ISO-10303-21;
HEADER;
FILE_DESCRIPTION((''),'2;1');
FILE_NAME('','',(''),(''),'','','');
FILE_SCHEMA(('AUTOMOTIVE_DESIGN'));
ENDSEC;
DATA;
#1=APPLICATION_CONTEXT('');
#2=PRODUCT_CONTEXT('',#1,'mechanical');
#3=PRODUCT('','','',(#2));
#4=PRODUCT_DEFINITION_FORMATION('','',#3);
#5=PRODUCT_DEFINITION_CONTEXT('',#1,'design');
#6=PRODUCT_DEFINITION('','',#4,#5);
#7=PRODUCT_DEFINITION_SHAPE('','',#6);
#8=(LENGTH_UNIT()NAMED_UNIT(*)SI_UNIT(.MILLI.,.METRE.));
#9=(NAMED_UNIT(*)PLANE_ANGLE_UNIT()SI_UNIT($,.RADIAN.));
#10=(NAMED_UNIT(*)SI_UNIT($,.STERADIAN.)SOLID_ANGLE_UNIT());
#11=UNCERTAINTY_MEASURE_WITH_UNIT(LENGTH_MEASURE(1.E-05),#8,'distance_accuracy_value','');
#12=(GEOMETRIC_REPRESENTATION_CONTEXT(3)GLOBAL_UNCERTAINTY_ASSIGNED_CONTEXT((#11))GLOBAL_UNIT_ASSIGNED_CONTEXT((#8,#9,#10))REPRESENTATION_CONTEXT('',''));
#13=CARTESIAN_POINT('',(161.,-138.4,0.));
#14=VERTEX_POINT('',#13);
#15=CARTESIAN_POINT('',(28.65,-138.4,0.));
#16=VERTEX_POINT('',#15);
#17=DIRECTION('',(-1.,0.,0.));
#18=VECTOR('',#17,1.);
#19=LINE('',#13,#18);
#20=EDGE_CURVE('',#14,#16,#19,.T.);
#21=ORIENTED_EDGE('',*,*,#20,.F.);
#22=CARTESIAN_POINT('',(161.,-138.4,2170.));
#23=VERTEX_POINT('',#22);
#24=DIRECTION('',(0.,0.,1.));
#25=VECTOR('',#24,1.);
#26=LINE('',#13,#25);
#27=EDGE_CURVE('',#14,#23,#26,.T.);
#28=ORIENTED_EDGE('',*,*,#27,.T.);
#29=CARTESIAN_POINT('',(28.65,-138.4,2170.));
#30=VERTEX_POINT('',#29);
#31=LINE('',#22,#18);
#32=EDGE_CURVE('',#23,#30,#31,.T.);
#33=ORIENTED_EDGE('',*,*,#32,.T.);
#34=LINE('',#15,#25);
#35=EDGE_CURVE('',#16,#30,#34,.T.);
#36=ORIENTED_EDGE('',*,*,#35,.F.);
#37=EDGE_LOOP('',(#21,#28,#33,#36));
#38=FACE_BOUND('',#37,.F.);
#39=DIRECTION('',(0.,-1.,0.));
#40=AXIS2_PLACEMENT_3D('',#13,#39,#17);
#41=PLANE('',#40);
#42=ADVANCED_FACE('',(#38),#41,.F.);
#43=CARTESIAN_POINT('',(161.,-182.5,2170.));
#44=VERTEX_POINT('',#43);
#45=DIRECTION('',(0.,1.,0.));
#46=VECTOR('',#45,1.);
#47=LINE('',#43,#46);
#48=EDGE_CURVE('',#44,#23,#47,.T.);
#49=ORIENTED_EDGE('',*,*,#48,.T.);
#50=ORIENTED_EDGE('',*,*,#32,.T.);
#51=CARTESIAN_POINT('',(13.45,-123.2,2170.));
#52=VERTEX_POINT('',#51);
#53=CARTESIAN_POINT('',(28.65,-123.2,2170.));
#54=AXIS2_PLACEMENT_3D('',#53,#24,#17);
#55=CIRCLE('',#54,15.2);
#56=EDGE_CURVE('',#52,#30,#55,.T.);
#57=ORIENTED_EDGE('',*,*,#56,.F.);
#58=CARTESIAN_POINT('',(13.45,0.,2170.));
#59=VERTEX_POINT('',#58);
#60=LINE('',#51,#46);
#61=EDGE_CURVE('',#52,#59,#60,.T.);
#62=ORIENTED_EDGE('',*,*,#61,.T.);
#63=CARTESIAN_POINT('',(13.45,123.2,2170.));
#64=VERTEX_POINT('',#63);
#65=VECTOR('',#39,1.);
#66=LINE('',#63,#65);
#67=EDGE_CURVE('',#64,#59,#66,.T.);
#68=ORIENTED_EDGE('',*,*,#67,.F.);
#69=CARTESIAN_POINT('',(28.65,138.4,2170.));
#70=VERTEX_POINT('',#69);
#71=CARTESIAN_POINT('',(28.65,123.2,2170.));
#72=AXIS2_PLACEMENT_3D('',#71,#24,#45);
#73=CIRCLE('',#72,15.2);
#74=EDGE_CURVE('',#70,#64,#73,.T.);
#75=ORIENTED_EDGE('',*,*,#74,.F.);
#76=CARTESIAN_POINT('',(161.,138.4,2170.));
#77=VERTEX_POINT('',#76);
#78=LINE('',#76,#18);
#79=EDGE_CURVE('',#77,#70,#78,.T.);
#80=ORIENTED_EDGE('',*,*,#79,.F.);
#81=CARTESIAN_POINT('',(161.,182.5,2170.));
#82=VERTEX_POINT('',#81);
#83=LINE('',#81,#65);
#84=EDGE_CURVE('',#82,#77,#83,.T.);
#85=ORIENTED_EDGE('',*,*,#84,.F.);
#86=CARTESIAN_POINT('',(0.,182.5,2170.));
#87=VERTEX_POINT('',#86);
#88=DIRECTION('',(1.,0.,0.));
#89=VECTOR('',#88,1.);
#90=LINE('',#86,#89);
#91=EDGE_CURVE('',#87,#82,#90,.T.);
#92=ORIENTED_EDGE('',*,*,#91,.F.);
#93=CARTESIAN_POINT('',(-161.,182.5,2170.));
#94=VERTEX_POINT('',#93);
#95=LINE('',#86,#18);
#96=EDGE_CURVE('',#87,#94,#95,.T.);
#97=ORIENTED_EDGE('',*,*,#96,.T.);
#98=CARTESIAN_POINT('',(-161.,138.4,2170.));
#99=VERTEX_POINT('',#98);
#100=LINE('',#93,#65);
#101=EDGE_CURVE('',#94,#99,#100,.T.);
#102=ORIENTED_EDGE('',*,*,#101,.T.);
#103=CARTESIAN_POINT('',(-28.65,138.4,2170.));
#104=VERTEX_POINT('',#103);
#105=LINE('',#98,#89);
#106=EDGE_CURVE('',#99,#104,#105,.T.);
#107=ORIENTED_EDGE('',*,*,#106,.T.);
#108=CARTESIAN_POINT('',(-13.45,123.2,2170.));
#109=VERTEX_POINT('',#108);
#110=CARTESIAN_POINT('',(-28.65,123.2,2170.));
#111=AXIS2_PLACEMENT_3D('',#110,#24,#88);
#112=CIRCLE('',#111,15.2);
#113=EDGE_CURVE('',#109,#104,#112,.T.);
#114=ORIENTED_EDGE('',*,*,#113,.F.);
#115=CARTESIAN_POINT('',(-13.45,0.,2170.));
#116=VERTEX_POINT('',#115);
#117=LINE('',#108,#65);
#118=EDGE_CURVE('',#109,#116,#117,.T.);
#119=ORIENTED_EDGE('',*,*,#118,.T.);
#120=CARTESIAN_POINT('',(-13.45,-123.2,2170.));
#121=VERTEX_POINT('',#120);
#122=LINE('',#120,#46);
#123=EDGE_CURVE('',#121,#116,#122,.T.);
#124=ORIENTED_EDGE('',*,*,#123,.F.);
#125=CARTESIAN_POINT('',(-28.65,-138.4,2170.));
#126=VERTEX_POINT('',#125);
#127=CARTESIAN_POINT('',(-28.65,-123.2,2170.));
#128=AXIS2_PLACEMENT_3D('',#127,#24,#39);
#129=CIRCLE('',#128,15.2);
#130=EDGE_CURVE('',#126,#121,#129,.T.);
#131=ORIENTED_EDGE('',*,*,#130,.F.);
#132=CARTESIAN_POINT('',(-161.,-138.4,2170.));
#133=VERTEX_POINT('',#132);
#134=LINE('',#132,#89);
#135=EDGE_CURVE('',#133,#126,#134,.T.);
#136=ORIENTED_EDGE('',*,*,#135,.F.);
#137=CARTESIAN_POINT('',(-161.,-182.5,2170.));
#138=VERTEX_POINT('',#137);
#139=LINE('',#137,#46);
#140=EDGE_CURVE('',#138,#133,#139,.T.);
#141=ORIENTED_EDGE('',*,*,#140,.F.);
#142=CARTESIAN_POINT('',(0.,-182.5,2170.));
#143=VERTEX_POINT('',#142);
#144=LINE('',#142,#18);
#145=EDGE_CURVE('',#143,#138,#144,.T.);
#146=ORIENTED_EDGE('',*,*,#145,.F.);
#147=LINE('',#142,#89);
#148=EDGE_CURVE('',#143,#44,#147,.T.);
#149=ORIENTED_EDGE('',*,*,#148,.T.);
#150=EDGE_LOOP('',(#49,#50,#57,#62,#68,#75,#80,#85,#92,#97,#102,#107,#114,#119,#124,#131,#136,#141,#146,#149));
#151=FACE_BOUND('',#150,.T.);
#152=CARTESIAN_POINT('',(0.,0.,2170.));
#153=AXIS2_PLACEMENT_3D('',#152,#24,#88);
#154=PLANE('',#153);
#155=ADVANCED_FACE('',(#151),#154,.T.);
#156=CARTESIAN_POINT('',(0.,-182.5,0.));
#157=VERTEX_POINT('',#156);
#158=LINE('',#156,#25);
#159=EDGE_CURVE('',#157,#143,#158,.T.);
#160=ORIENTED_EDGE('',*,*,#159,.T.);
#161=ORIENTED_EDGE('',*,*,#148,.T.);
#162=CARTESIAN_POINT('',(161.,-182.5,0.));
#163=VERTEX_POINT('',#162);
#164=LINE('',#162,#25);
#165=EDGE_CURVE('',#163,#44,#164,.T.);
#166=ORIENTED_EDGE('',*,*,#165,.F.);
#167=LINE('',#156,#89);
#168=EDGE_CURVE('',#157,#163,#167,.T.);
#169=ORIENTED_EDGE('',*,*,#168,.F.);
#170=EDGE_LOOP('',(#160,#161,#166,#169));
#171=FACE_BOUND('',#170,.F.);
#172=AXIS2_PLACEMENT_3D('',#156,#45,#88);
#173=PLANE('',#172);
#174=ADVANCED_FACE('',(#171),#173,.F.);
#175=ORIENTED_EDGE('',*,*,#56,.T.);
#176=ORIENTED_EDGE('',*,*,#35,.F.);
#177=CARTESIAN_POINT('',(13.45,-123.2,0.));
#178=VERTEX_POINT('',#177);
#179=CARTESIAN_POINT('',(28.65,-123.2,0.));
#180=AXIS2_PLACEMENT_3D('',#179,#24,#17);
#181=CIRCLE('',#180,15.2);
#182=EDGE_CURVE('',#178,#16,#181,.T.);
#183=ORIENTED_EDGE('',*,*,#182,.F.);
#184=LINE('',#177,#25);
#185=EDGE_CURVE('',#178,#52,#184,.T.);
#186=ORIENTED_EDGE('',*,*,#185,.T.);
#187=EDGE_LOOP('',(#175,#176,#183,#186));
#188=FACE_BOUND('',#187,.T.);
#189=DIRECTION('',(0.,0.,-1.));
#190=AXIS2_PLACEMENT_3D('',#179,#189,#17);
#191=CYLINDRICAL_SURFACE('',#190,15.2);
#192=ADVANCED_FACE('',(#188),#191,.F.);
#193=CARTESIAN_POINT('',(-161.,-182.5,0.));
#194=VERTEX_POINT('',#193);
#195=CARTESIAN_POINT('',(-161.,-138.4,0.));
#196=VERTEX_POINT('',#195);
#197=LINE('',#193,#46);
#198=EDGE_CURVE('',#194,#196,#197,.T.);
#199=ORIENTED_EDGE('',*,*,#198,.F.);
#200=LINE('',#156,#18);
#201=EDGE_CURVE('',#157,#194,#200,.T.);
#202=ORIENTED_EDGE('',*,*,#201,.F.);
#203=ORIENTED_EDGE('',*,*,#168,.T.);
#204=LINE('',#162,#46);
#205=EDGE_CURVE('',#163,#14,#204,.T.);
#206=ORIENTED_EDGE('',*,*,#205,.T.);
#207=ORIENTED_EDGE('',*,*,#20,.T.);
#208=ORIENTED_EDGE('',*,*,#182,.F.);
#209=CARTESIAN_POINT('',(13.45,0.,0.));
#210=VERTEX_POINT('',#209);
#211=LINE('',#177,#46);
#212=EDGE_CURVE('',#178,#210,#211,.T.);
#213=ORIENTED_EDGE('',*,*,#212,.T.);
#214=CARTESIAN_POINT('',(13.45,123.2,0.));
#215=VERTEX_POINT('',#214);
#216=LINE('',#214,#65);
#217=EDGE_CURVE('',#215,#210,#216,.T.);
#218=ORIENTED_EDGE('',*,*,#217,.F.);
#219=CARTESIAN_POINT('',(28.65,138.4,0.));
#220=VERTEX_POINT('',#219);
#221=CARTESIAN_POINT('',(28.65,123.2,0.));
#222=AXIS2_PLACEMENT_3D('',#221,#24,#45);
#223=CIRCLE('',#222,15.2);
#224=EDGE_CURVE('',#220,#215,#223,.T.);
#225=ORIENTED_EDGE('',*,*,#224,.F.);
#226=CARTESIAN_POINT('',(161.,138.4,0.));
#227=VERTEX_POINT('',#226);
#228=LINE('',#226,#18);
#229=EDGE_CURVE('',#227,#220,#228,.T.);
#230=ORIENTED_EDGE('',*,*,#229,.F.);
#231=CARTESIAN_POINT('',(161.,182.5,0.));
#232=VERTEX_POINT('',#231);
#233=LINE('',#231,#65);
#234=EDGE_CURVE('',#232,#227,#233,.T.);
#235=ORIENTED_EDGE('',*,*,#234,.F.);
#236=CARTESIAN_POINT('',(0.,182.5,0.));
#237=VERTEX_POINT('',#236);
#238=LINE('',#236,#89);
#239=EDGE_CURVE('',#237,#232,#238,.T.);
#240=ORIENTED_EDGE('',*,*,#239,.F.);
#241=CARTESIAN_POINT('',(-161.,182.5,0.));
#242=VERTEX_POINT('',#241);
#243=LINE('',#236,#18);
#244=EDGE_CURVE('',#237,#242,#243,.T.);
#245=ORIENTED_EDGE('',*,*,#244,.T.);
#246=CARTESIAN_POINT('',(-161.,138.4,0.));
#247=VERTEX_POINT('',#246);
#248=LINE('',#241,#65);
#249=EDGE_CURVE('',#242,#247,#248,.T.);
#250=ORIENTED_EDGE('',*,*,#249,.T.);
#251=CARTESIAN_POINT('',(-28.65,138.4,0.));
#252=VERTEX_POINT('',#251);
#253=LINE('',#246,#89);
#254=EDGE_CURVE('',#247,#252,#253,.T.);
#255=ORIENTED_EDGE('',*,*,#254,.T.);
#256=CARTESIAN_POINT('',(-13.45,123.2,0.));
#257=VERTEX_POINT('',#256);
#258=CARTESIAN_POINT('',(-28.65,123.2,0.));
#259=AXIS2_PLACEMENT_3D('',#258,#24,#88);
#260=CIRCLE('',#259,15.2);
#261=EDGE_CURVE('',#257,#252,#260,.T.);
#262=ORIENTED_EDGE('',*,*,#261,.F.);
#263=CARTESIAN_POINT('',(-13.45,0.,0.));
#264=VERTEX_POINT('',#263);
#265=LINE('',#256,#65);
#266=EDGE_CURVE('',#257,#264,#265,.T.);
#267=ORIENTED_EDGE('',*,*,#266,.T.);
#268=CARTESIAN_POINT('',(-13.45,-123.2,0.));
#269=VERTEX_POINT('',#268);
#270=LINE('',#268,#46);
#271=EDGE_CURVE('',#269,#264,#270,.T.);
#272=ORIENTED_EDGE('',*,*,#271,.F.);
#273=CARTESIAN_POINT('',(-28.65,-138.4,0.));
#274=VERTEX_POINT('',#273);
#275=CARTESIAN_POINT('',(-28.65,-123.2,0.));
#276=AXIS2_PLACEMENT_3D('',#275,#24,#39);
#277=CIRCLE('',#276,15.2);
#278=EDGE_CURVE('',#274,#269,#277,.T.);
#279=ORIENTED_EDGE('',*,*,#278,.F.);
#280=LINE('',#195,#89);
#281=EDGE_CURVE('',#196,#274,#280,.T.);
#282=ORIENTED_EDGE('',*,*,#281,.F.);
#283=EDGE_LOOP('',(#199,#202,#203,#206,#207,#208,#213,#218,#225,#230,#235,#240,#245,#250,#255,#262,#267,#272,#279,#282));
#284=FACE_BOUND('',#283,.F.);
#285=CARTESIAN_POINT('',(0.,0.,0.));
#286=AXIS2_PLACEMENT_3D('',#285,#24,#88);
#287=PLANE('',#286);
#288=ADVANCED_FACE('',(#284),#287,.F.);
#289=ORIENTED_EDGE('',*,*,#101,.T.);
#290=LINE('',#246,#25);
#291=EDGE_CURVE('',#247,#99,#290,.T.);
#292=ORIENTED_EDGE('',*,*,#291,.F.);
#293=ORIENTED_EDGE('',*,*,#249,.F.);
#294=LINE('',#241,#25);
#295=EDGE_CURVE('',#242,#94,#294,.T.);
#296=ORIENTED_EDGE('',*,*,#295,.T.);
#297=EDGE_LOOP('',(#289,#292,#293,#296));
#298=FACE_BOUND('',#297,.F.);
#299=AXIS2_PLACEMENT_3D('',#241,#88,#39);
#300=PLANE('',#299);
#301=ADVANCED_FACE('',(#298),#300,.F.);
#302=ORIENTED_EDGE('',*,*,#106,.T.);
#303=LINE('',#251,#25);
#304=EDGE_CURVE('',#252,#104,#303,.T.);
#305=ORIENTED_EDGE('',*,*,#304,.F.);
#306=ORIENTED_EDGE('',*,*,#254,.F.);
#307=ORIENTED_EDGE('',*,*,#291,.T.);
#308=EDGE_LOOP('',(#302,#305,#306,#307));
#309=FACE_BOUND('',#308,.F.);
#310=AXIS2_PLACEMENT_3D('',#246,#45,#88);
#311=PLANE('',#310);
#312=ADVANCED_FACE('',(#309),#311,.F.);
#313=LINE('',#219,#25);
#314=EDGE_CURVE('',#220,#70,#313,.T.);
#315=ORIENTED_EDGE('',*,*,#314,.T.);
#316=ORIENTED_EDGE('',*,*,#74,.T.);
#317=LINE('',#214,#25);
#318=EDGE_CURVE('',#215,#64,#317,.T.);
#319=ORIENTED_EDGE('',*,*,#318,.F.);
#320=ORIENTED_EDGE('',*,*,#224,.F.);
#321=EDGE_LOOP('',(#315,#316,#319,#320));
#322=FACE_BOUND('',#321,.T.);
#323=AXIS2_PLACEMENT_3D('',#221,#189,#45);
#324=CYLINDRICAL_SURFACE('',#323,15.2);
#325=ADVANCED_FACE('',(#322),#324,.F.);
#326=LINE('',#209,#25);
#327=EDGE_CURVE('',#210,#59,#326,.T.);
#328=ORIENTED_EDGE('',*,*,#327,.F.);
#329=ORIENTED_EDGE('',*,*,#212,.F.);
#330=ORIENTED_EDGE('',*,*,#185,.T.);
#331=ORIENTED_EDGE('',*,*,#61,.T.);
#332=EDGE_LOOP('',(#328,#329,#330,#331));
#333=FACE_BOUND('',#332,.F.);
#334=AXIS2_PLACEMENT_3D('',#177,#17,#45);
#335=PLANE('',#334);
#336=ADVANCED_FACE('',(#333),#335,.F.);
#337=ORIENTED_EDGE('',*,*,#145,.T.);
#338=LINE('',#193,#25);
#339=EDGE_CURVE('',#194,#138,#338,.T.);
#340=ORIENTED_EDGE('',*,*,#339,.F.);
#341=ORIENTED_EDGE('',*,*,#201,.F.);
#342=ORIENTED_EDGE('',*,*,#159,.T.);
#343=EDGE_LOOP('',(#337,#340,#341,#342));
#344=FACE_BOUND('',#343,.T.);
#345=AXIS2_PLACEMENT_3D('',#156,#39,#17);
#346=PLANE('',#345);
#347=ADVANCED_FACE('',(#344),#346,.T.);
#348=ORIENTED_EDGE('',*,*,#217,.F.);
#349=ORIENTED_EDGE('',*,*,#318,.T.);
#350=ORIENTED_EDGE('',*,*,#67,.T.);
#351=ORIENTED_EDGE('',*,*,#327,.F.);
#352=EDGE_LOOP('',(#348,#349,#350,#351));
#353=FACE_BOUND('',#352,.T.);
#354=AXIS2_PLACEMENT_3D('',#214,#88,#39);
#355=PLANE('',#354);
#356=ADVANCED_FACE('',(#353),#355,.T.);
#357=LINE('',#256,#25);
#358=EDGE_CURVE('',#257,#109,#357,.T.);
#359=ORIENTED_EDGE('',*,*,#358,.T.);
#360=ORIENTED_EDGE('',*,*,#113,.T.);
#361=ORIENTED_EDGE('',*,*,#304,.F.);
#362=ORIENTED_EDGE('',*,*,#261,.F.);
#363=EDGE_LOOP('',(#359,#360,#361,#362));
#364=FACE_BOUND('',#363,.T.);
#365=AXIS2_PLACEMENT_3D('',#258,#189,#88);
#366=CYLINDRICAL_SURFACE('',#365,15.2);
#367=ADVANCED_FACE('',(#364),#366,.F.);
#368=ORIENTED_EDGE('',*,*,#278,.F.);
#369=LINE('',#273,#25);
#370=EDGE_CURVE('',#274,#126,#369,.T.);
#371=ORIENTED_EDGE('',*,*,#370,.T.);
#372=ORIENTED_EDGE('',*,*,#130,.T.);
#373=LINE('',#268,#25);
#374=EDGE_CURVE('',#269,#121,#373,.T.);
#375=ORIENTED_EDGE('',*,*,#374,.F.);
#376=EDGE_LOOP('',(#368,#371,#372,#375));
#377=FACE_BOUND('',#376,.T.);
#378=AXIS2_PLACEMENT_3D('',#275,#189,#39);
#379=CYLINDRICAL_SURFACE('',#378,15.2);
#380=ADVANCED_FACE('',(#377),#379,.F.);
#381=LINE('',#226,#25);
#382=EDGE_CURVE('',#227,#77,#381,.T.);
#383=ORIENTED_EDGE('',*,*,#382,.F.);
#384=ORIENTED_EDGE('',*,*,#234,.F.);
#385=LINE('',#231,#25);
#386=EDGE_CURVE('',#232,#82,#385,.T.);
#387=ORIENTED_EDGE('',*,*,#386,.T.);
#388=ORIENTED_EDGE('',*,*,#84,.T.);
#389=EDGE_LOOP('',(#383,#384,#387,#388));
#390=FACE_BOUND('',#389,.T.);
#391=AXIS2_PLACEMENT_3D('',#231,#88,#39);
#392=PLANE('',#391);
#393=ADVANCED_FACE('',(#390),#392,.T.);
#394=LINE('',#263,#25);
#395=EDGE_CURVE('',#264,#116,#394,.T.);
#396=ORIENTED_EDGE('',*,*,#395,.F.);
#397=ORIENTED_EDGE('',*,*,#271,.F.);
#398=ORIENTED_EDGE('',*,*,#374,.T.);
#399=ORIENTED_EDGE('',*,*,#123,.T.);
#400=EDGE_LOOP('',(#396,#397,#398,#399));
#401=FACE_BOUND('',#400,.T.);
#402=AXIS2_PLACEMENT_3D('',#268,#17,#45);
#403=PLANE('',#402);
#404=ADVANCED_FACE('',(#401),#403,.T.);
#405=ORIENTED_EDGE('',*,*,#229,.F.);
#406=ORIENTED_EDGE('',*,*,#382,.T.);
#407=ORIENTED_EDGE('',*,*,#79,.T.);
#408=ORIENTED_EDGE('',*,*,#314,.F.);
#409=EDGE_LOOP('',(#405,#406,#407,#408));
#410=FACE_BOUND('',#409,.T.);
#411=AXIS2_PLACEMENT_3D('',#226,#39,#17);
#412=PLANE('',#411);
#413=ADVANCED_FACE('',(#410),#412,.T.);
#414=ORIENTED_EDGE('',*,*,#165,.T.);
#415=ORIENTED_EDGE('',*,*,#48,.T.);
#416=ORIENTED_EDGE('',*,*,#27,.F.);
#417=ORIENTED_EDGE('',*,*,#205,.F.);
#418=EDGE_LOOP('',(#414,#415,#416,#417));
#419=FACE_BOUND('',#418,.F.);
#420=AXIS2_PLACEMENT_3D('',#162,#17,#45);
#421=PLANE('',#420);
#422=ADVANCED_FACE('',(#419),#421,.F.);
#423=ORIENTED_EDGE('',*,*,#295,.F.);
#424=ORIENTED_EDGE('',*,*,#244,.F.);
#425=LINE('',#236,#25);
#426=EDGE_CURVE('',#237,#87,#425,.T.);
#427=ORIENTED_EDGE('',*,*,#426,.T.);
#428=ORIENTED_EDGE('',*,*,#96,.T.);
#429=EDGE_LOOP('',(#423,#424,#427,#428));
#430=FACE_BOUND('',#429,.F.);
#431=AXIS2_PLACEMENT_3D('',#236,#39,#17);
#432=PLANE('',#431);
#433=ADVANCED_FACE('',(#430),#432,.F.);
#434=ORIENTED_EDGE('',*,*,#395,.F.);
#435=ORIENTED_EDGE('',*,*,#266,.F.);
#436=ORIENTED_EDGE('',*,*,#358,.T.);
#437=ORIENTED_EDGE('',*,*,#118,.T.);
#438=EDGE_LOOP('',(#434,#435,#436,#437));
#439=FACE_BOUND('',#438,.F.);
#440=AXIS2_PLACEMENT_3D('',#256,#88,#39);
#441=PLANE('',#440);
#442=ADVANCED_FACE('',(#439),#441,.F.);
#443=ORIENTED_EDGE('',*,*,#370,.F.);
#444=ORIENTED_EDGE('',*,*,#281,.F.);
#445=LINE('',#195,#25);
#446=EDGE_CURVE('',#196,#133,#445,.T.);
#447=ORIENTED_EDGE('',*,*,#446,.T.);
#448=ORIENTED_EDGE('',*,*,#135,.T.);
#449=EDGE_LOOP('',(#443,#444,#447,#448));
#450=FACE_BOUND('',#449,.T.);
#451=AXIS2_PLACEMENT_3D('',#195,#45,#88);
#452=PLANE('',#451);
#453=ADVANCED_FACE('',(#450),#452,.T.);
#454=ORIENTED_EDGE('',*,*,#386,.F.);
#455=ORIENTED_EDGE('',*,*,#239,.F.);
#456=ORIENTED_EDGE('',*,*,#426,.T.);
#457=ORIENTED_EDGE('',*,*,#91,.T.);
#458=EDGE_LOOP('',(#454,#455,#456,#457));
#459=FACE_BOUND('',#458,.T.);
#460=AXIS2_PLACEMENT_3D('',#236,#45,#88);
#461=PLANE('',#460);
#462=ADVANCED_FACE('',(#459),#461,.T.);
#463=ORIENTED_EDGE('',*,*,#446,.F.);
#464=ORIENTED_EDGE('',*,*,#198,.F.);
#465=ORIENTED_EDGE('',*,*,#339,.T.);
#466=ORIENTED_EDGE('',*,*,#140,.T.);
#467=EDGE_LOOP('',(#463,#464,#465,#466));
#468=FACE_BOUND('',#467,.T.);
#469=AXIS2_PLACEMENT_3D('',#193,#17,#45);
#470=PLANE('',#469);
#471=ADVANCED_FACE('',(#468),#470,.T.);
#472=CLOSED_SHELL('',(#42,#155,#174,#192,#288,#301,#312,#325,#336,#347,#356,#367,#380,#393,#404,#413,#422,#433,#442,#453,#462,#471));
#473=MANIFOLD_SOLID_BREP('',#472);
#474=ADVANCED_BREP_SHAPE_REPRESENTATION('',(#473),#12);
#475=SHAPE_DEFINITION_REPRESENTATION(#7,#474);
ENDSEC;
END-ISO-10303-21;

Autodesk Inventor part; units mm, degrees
ref_plane "YZ Plane" through (0, 0, 0) normal (1, 0, 0) x (0, 1, 0)
ref_plane "Start plane" through (0, 0, 0) normal (0, 0, 1) x (1, 0, 0)
ref_plane "End plane" through (0, 0, 2170) normal (0, 0, 1) x (1, 0, 0)
sketch "Sketch" plane through (0, 0, 0) normal (0, 0, 1) x (1, 0, 0)
  line L0 (-161, -182.5) -> (-161, -138.4)
  line L1 (-161, -138.4) -> (-28.65, -138.4)
  line L2 (-13.45, -123.2) -> (-13.45, 0)
  line L3 (-13.45, 0) -> (0, 0) construction
  line L4 (0, 0) -> (0, -182.5) construction
  line L5 (0, -182.5) -> (-161, -182.5)
  line L6 (-60, 0) -> (80, 0) construction
  line L7 (0, -60) -> (0, 80) construction
  line L8 (161, -182.5) -> (161, -138.4)
  line L9 (161, -138.4) -> (28.65, -138.4)
  line L10 (13.45, -123.2) -> (13.45, 0)
  line L11 (13.45, 0) -> (0, 0) construction
  line L12 (0, -182.5) -> (161, -182.5)
  line L13 (-161, 182.5) -> (-161, 138.4)
  line L14 (-161, 138.4) -> (-28.65, 138.4)
  line L15 (-13.45, 123.2) -> (-13.45, 0)
  line L16 (0, 182.5) -> (-161, 182.5)
  line L17 (161, 182.5) -> (161, 138.4)
  line L18 (161, 138.4) -> (28.65, 138.4)
  line L19 (0, 182.5) -> (161, 182.5)
  line L20 (13.45, 123.2) -> (13.45, 0)
  arc A0 (-13.45, 123.2) -> (-28.65, 138.4) centre (-28.65, 123.2) ccw
  arc A1 (28.65, 138.4) -> (13.45, 123.2) centre (28.65, 123.2) ccw
  arc A2 (13.45, -123.2) -> (28.65, -138.4) centre (28.65, -123.2) ccw
  arc A3 (-28.65, -138.4) -> (-13.45, -123.2) centre (-28.65, -123.2) ccw
  line L21 (0, 108) -> (0, -88) construction
  line L22 (-88, 0) -> (108, 0) construction
  point P0 (-13.45, -138.4)
  point P1 (13.45, -138.4)
  point P2 (-13.45, 138.4)
  point P3 (13.45, 138.4)
  dimension "d1" = 182.5
  dimension "d2" = 44.1
  dimension "d3" = 161
  dimension "d4" = 13.45
  dimension "d10" = 15.2
extrude "Body" add sketch "Sketch" along normal up to surface (2170 mm away) from surface at 0
sketch "Sketch4" plane through (0, 0, 0) normal (0, 0, 1) x (1, 0, 0)
  line L0 (0, 0) -> (10, 0)
ref_plane "Work Plane3" through (0, 0, 0) normal (0, -1, 0) x (1, 0, 0)
sketch "Sketch5" plane through (0, 0, 0) normal (0, -1, 0) x (1, 0, 0)
  line L0 (-2, 0) -> (12, 0) projected
  line L1 (-2, 2170) -> (12, 2170) projected
  dimension "d14" = 2170
equation "\"d1\" = 0.5 * G_H"
equation "\"d2\" = G_T1"
equation "\"d3\" = 0.5 * G_W"
equation "\"d4\" = 0.5 * G_T"
equation "\"d10\" = G_IR"
equation "\"d5\" = G_L"
equation "\"G_W\" = 322"
equation "\"G_H\" = 365"
equation "\"G_T\" = 26.9"
equation "\"G_T1\" = 44.1"
equation "\"G_IR\" = 15.2"
equation "\"G_L\" = d14"
equation "\"G_OFFSET_START\" = 0"
equation "\"G_OFFSET_END\" = 0"
properties part number "AS 3679 - 310 UC - 283 - 2170" material "Steel, Mild"
